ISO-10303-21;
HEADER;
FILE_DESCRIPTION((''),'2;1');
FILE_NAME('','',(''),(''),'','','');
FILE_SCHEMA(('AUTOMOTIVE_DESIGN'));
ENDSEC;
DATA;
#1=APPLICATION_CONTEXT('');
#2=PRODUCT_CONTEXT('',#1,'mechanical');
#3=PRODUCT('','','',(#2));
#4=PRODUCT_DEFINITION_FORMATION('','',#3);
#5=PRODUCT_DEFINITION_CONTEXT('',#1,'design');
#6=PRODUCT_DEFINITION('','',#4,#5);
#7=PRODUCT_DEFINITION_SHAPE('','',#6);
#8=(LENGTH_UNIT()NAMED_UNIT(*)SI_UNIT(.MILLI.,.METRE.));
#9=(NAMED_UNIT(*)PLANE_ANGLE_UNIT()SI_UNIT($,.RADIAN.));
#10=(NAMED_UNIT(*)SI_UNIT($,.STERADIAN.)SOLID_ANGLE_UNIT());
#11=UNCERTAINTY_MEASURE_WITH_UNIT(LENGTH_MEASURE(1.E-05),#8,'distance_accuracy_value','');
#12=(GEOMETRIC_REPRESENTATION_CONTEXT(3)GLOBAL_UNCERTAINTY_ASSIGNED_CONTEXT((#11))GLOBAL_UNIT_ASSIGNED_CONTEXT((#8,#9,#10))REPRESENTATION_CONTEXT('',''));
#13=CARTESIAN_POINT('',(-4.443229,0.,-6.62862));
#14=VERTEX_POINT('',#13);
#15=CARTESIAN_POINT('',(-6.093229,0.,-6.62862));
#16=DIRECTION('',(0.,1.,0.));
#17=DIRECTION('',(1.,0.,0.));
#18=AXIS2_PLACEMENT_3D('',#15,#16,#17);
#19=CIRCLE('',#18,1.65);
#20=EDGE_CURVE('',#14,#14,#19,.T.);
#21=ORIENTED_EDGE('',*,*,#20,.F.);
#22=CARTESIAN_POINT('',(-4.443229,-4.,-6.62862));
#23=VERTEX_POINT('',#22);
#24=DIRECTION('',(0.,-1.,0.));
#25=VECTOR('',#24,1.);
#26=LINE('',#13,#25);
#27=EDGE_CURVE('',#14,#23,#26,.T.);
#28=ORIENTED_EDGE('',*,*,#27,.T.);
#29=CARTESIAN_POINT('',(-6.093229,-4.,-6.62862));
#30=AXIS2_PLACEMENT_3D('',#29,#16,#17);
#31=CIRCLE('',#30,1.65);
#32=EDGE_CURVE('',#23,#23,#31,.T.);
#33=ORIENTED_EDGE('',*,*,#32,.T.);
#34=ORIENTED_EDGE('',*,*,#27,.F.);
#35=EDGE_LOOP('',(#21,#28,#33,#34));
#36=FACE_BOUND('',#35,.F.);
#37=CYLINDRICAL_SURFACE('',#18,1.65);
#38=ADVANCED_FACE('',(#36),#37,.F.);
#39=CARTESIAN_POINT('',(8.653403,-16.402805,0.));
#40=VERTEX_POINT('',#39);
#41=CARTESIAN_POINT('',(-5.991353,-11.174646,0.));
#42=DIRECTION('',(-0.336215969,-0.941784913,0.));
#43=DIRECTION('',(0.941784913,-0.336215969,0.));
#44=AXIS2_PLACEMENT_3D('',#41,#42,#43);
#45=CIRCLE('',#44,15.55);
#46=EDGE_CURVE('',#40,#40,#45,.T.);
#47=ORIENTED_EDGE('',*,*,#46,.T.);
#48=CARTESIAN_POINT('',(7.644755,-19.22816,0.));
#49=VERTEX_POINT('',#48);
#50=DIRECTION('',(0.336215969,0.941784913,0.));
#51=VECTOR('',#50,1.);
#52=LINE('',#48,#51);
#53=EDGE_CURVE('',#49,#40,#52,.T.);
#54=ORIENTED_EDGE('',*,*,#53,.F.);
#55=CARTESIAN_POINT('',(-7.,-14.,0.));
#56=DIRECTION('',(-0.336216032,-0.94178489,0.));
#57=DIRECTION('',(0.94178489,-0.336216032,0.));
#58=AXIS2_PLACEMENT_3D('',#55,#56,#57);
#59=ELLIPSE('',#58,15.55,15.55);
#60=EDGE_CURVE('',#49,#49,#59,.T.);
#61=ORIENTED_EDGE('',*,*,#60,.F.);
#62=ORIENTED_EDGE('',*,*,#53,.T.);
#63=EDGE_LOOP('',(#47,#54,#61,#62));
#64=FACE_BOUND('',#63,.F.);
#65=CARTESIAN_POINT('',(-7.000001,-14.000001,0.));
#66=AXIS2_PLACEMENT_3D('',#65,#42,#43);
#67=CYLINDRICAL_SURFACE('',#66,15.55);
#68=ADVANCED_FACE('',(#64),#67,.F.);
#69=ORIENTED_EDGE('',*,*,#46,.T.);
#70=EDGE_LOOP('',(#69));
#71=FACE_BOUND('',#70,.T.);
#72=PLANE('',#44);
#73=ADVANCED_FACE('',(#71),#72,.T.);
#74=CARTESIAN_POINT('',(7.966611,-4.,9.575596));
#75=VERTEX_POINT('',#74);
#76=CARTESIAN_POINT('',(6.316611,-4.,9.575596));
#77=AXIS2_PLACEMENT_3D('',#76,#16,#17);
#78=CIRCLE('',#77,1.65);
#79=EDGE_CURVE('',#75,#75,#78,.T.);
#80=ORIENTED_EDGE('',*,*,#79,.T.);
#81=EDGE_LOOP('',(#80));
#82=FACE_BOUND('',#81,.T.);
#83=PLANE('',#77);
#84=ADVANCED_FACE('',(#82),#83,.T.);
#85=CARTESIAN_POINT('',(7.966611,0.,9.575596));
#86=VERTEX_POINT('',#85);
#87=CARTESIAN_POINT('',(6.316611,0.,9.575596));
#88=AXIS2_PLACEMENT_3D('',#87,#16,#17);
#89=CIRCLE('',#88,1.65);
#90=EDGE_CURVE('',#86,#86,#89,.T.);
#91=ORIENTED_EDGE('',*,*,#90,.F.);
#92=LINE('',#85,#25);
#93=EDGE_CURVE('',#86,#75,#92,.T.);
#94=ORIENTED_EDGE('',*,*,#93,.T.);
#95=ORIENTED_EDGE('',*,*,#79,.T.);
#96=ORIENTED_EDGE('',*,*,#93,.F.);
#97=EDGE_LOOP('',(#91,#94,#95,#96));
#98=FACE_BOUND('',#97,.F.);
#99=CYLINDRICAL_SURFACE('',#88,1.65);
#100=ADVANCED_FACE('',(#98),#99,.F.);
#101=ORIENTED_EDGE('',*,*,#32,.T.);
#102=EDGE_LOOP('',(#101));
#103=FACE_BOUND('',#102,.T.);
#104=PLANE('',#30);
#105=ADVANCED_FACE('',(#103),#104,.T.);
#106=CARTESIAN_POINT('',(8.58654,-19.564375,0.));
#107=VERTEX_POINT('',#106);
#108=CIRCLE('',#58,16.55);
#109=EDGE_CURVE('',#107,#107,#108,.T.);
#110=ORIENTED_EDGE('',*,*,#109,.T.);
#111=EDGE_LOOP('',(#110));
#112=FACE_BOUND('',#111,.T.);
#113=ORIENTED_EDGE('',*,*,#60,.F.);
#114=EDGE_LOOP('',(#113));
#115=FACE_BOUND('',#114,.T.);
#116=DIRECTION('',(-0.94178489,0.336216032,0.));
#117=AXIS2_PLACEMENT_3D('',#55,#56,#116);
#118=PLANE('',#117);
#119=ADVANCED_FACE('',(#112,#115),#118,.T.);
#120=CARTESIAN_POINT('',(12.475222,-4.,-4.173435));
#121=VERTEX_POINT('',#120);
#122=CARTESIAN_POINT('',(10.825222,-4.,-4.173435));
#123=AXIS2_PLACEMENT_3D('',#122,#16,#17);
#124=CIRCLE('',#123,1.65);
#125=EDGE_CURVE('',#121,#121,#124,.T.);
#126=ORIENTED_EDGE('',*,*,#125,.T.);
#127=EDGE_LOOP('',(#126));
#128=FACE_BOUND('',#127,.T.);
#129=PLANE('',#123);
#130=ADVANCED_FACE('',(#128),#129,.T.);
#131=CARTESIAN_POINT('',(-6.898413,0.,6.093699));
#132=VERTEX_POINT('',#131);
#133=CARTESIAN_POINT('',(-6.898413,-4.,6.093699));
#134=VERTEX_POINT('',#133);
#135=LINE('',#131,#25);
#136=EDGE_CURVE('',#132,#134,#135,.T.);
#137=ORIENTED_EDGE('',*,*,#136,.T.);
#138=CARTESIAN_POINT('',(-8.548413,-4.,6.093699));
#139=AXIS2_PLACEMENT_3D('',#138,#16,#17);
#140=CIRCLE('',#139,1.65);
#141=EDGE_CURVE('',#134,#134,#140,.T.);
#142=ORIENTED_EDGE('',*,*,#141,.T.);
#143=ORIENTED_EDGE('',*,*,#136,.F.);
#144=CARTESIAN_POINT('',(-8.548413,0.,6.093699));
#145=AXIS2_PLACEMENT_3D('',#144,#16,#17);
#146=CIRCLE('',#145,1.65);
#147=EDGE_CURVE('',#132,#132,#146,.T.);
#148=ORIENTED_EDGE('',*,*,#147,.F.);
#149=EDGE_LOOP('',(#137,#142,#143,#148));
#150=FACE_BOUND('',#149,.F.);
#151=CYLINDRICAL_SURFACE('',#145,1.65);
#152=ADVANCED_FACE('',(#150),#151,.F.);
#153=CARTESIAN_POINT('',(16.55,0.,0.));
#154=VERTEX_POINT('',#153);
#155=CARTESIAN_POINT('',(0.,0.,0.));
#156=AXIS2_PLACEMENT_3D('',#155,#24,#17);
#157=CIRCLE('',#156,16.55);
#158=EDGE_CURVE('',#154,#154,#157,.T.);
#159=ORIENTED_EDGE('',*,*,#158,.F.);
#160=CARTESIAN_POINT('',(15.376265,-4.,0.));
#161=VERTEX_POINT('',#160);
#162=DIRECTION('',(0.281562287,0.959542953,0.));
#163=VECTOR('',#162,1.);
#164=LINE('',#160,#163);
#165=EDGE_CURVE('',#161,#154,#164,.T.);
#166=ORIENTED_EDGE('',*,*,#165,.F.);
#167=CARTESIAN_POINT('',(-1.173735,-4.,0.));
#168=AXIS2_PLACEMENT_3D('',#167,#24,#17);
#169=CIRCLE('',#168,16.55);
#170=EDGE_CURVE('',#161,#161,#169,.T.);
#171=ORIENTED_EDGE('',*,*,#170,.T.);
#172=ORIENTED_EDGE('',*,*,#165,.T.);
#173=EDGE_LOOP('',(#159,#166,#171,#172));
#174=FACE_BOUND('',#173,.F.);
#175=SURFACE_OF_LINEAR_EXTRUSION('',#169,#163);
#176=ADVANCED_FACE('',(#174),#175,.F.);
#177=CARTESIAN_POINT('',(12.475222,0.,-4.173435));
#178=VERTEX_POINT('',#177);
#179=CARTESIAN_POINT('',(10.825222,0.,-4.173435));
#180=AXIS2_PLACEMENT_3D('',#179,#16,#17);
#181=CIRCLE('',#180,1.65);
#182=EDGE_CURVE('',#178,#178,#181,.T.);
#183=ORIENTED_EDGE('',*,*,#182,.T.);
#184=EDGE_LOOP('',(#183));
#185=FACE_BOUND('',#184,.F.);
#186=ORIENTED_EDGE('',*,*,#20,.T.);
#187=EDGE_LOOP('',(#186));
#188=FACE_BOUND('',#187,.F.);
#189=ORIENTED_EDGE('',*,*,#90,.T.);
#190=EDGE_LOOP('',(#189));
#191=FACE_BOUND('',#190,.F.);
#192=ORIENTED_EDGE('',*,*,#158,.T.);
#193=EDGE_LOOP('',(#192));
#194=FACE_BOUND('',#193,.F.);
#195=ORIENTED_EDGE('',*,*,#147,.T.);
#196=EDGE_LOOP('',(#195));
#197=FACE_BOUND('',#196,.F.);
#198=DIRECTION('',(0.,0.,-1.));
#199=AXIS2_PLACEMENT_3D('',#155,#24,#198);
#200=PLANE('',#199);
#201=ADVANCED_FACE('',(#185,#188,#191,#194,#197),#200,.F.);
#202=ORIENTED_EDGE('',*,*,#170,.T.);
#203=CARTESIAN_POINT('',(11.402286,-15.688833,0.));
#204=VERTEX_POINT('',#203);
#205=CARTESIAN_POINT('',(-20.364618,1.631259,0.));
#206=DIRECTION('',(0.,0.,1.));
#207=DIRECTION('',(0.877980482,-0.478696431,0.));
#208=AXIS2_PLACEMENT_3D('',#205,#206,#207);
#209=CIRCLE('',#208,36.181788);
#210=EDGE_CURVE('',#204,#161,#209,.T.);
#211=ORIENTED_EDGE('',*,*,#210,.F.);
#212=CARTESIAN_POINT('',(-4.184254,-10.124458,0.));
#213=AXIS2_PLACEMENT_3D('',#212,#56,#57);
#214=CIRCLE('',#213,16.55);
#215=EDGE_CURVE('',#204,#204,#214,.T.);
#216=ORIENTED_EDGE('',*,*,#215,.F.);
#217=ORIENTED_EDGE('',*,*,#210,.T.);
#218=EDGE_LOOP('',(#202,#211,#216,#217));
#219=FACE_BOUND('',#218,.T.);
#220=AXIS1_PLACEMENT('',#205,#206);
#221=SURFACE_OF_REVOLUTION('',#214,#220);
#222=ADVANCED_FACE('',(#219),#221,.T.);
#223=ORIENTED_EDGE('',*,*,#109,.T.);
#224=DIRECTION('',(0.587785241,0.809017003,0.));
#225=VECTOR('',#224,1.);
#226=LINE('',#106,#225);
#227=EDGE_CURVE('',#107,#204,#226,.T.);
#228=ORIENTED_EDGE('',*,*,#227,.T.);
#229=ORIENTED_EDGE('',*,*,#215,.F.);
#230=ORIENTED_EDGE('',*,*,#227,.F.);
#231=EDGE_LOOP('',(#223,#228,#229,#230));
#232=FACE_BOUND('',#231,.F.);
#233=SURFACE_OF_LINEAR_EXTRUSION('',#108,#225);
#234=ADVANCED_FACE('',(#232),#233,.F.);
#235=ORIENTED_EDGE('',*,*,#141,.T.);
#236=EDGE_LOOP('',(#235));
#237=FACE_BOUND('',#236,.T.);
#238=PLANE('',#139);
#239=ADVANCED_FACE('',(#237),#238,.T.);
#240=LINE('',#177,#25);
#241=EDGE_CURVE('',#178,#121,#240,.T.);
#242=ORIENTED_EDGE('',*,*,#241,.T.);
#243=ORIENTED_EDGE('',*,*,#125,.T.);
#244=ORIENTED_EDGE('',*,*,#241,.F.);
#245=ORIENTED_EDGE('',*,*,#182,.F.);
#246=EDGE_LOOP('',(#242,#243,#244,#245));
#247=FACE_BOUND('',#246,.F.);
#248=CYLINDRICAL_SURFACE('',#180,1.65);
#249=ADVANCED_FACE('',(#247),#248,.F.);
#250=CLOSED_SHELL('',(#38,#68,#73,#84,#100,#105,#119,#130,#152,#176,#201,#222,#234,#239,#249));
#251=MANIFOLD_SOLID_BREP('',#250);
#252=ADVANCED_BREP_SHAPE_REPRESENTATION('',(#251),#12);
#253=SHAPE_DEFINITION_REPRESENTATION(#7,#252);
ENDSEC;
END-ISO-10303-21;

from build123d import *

# Parameters (mm, degrees)
SKETCH001_R     = 16.55
SKETCH002_R     = 1.65
POCKET_DEPTH    = 4
SKETCH003_R     = 15.55
POCKET001_DEPTH = 3


with BuildPart() as part:
    # AdditivePipe: sweep along a path in Sketch
    with BuildLine(Plane.XY) as additivepipe_path:
        Line((-7, -14), (-4.184254, -10.124458))
        ThreePointArc((-4.184254, -10.124458), (-2.415843, -7.191583), (-1.173735, -4))
        Line((-1.173735, -4), (0, 0))
    # Sketch001 → AdditivePipe (sweep)
    with BuildSketch(Plane.XZ):
        Circle(SKETCH001_R)
    sweep(path=additivepipe_path.line)

    # Sketch002 (on Face5 of AdditivePipe) → Pocket (cut)
    with BuildSketch(Plane(origin=(0, 0, 0), x_dir=(1, 0, 0), z_dir=(0, 1, 0))):
        with Locations((-8.548413, -6.093699)):
            Circle(SKETCH002_R)
        with Locations((-6.093229, 6.62862)):
            Circle(SKETCH002_R)
        with Locations((10.825222, 4.173435)):
            Circle(SKETCH002_R)
        with Locations((6.316611, -9.575596)):
            Circle(SKETCH002_R)
    extrude(amount=-POCKET_DEPTH, mode=Mode.SUBTRACT)

    # Sketch003 (on Face1 of Pocket) → Pocket001 (cut)
    with BuildSketch(Plane(origin=(-5.2243, -14.633924, 0), x_dir=(0.941785, -0.336216, 0), z_dir=(-0.336216, -0.941785, 0))):
        with Locations((-1.885463, 0)):
            Circle(SKETCH003_R)
    extrude(amount=-POCKET001_DEPTH, mode=Mode.SUBTRACT)


solid = part.part
